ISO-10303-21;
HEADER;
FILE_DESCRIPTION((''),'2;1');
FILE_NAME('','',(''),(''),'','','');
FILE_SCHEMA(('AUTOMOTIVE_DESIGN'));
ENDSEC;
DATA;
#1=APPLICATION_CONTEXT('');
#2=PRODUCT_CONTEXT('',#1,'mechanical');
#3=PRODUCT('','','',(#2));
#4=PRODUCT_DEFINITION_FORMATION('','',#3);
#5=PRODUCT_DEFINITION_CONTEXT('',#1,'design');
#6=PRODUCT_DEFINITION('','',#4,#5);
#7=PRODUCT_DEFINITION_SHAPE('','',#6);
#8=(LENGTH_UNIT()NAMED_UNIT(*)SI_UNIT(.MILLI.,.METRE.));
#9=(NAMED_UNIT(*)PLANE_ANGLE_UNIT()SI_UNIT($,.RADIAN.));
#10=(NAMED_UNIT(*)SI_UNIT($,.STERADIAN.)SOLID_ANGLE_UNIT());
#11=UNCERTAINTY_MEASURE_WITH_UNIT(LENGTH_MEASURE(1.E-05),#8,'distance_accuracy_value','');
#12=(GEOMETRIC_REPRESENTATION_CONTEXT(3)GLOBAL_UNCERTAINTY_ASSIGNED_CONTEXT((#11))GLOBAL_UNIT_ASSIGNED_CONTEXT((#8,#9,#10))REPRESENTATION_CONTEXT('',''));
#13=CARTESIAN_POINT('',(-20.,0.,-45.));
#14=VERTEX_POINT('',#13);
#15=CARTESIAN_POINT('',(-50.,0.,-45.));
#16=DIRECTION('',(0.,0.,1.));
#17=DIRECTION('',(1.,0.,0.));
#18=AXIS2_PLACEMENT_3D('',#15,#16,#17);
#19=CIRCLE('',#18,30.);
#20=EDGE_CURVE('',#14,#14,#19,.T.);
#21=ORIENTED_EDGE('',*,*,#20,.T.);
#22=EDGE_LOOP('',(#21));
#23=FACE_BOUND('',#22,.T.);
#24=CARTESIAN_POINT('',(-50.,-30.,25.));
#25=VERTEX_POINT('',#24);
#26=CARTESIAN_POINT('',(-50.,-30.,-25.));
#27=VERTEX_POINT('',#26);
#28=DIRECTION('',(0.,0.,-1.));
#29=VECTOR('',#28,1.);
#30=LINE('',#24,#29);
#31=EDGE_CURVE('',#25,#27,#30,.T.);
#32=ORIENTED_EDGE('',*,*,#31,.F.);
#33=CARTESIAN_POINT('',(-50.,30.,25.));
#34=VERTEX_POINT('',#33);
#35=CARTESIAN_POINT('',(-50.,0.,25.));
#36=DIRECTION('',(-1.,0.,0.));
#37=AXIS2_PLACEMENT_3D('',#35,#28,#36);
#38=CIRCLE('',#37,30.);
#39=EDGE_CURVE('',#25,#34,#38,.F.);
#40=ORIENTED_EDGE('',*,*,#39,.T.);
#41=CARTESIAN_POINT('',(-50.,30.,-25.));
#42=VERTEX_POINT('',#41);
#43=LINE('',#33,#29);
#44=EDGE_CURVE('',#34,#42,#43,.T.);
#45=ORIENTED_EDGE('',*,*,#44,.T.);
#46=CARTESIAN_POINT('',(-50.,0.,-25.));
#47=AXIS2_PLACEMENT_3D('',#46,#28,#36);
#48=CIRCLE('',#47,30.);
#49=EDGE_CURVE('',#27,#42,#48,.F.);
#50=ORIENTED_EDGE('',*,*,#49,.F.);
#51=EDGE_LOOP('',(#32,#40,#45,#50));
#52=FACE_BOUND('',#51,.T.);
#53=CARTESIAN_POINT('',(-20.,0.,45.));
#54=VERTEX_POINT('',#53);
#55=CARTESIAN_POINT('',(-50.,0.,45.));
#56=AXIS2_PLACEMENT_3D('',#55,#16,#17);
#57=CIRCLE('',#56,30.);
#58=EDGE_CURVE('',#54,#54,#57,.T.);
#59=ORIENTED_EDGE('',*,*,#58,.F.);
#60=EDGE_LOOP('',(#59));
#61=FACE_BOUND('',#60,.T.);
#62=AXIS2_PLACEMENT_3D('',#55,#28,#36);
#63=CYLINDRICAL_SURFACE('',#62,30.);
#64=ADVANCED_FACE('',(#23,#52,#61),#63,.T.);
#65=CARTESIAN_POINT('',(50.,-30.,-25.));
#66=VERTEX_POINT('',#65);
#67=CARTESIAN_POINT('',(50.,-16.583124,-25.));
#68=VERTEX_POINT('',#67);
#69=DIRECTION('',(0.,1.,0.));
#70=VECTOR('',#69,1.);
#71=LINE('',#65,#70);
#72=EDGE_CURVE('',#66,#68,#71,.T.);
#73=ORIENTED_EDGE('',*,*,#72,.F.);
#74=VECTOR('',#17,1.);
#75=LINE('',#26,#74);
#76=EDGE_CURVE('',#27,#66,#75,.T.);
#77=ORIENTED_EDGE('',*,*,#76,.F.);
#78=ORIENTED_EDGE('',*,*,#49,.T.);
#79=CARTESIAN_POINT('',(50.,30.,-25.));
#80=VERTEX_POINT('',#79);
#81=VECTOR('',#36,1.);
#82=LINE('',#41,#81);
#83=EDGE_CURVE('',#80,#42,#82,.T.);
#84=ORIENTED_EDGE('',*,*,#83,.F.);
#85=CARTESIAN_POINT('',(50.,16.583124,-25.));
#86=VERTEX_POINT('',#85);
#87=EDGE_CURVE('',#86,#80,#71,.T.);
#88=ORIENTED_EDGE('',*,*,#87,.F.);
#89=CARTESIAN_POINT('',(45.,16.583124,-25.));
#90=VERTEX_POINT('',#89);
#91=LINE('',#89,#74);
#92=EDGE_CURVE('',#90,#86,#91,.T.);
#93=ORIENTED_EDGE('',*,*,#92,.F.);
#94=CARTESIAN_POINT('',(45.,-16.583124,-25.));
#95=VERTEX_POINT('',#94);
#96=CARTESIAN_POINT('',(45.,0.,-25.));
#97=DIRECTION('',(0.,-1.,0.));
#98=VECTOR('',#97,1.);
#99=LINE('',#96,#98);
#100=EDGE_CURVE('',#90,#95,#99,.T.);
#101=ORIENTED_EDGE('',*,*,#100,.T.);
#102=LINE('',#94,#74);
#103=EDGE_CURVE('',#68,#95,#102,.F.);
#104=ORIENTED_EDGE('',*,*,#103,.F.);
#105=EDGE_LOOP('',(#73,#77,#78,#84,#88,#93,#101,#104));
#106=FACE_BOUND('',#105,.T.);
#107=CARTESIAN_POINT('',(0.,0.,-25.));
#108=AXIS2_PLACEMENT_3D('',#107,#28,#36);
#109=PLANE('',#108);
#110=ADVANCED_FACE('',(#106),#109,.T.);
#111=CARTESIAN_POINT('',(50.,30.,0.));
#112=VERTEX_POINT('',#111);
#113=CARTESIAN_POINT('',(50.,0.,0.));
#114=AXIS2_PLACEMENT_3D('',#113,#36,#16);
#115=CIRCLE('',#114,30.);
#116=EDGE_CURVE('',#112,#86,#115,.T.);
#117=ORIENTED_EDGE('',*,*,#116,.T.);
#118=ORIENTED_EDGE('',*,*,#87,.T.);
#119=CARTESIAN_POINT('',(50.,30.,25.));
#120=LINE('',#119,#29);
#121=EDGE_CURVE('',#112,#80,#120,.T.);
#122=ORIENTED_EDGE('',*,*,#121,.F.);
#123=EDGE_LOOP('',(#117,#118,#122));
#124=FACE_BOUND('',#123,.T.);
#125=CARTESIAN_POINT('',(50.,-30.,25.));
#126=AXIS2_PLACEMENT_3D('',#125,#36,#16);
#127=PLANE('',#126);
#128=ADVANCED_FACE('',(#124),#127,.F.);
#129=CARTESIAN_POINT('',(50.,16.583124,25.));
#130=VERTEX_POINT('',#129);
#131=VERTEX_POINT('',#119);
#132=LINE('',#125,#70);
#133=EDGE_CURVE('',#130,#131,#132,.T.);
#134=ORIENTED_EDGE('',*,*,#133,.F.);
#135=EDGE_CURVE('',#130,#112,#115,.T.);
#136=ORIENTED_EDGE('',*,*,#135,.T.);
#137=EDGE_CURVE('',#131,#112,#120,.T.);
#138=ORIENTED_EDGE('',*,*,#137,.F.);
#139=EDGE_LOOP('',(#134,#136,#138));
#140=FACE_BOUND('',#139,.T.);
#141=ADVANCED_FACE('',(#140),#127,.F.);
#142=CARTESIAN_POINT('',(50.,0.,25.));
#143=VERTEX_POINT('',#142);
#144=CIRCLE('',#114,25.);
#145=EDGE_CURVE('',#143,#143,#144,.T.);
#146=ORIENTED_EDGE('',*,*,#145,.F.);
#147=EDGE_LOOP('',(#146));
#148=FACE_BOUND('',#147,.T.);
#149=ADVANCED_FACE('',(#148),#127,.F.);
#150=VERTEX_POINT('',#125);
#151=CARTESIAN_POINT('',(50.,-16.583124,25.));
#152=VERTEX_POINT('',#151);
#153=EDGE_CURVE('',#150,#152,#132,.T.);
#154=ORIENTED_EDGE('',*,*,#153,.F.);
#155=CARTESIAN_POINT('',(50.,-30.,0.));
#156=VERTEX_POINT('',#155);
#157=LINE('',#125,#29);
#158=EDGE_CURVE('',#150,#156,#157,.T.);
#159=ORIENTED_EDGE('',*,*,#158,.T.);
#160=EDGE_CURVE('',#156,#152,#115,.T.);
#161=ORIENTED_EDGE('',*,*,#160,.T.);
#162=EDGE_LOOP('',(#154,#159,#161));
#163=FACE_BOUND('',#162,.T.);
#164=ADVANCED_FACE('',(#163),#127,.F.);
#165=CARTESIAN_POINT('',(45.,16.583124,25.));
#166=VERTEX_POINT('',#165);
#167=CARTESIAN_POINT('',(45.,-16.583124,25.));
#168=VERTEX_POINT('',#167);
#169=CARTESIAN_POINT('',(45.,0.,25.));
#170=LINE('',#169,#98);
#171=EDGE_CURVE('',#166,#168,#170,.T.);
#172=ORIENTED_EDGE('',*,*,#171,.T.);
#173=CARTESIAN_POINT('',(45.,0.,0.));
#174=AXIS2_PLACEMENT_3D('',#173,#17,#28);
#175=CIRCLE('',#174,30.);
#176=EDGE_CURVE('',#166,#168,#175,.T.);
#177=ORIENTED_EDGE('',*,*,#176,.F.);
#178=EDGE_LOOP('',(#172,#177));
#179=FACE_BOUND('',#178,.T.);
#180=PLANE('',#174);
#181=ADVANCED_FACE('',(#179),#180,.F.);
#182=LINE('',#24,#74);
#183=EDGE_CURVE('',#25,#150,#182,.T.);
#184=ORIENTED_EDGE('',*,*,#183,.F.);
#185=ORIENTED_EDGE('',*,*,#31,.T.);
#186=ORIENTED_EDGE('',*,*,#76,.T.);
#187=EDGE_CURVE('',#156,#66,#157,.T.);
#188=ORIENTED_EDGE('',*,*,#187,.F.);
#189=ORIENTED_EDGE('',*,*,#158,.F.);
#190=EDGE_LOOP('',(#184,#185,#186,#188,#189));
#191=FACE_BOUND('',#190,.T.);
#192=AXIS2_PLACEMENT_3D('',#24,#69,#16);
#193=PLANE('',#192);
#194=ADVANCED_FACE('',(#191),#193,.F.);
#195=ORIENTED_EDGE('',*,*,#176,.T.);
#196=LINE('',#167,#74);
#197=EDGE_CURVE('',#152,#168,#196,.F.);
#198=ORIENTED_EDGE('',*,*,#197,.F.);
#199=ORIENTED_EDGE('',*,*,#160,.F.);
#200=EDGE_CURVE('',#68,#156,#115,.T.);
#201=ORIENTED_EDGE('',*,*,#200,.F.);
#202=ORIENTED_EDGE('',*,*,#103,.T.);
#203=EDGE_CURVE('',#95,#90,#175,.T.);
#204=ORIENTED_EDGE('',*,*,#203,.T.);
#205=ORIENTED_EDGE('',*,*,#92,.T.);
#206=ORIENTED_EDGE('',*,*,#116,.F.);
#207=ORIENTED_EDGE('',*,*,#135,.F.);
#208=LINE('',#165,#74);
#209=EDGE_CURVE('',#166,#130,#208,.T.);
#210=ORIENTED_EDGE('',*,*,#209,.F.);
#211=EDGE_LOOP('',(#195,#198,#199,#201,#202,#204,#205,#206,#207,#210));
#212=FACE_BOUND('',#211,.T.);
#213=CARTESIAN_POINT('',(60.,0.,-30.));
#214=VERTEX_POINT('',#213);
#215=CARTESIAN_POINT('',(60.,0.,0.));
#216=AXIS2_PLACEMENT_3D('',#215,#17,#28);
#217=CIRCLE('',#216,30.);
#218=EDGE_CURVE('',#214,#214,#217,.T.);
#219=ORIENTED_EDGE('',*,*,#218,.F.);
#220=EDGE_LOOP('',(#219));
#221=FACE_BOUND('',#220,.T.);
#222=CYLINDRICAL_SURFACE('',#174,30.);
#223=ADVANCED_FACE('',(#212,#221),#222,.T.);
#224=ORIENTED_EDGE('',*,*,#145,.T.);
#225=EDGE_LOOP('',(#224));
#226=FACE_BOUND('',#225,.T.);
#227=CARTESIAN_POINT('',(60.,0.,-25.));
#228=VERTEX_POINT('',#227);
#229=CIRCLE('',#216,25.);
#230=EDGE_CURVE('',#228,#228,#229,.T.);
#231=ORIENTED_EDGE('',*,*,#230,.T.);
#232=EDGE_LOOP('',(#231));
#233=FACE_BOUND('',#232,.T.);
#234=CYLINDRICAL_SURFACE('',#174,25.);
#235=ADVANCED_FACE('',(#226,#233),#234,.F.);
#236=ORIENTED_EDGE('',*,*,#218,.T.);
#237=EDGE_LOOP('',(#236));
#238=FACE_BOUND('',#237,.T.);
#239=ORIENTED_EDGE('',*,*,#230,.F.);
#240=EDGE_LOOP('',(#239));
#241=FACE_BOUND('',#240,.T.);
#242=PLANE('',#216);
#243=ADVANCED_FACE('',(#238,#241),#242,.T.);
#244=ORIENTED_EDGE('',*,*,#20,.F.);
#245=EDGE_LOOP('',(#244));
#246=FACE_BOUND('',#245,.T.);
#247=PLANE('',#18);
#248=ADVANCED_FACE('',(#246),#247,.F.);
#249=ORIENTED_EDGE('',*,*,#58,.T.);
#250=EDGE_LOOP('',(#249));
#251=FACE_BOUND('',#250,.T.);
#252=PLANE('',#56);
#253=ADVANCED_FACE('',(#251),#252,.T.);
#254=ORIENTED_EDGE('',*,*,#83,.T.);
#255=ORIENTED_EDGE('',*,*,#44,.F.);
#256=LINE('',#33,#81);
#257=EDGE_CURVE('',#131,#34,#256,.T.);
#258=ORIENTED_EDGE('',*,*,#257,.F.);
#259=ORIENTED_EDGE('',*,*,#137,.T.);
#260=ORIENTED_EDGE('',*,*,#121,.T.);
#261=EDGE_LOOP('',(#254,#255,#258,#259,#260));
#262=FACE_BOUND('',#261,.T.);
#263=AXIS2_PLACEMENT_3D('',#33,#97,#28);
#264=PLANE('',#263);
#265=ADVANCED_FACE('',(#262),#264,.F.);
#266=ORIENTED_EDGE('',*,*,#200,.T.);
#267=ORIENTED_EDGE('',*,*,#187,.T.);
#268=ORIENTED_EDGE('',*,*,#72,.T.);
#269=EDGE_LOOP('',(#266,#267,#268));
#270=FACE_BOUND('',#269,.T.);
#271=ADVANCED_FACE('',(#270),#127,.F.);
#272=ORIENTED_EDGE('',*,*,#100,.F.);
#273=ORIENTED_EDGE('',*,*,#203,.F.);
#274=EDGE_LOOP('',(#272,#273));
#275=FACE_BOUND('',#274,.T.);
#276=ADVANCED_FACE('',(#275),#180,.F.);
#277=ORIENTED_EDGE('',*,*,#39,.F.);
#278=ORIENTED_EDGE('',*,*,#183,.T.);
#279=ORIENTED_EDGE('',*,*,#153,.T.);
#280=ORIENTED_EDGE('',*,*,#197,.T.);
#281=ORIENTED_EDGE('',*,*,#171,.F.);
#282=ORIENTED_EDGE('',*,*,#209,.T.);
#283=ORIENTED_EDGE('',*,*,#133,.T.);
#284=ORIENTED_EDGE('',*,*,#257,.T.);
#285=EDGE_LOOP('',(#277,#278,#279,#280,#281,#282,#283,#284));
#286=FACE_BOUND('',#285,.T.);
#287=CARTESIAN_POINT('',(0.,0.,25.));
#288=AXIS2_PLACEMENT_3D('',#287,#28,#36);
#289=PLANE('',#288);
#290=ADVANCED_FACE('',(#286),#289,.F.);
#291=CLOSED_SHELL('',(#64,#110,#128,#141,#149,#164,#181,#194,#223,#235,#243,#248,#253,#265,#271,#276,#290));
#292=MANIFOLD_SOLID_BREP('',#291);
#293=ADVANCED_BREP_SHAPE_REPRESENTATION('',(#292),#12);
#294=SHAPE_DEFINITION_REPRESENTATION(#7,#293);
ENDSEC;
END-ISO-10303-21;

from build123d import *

# Parameters (mm, degrees)
SKETCH3_W                = 100
SKETCH3_H                = 60
BOSS_EXTRUDE3_DEPTH      = 25
SKETCH4_R                = 30
BOSS_EXTRUDE5_DEPTH      = 45
BOSS_EXTRUDE9_DEPTH      = 10
BOSS_EXTRUDE9_DEPTH_BACK = 5


with BuildPart() as part:
    # Sketch3 → Boss-Extrude3 (new, symmetric)
    with BuildSketch(Plane.XY):
        Rectangle(SKETCH3_W, SKETCH3_H)
    extrude(amount=BOSS_EXTRUDE3_DEPTH, both=True)

    # Sketch4 → Boss-Extrude5 (add, symmetric)
    with BuildSketch(Plane.XY):
        with Locations((-50, 0)):
            Circle(SKETCH4_R)
    extrude(amount=BOSS_EXTRUDE5_DEPTH, both=True)

    # Sketch5 → Boss-Extrude9 (add, two sides: drawn at the far end of the back side and taken through both)
    with BuildSketch(Plane(origin=(50, 0, 0), x_dir=(0, 0, -1), z_dir=(1, 0, 0)).offset(-BOSS_EXTRUDE9_DEPTH_BACK)):
        with BuildLine():
            Line((-25, 2.6e-08), (-25, 16.583123952))
            ThreePointArc((-25, 16.583123952), (-30, 0), (-25, -16.583123952))
            Line((-25, -16.583123952), (-25, 2.6e-08))
        make_face()
        with BuildLine():
            Line((25, 0), (25, 16.583123952))
            ThreePointArc((25, 16.583123952), (0, 30), (-25, 16.583123952))
            Line((-25, 16.583123952), (-25, 2.6e-08))
            ThreePointArc((-25, 2.6e-08), (1.3e-08, 25), (25, 0))
        make_face()
        with BuildLine():
            ThreePointArc((-25, -16.583123952), (0, -30), (25, -16.583123952))
            Line((25, -16.583123952), (25, 0))
            ThreePointArc((25, 0), (-1.3e-08, -25), (-25, 2.6e-08))
            Line((-25, 2.6e-08), (-25, -16.583123952))
        make_face()
        with BuildLine():
            ThreePointArc((25, -16.583123952), (28.722813233, -8.660254038), (30, 0))
            ThreePointArc((30, 0), (28.722813233, 8.660254038), (25, 16.583123952))
            Line((25, 16.583123952), (25, 0))
            Line((25, 0), (25, -16.583123952))
        make_face()
    extrude(amount=BOSS_EXTRUDE9_DEPTH + BOSS_EXTRUDE9_DEPTH_BACK)


solid = part.part
